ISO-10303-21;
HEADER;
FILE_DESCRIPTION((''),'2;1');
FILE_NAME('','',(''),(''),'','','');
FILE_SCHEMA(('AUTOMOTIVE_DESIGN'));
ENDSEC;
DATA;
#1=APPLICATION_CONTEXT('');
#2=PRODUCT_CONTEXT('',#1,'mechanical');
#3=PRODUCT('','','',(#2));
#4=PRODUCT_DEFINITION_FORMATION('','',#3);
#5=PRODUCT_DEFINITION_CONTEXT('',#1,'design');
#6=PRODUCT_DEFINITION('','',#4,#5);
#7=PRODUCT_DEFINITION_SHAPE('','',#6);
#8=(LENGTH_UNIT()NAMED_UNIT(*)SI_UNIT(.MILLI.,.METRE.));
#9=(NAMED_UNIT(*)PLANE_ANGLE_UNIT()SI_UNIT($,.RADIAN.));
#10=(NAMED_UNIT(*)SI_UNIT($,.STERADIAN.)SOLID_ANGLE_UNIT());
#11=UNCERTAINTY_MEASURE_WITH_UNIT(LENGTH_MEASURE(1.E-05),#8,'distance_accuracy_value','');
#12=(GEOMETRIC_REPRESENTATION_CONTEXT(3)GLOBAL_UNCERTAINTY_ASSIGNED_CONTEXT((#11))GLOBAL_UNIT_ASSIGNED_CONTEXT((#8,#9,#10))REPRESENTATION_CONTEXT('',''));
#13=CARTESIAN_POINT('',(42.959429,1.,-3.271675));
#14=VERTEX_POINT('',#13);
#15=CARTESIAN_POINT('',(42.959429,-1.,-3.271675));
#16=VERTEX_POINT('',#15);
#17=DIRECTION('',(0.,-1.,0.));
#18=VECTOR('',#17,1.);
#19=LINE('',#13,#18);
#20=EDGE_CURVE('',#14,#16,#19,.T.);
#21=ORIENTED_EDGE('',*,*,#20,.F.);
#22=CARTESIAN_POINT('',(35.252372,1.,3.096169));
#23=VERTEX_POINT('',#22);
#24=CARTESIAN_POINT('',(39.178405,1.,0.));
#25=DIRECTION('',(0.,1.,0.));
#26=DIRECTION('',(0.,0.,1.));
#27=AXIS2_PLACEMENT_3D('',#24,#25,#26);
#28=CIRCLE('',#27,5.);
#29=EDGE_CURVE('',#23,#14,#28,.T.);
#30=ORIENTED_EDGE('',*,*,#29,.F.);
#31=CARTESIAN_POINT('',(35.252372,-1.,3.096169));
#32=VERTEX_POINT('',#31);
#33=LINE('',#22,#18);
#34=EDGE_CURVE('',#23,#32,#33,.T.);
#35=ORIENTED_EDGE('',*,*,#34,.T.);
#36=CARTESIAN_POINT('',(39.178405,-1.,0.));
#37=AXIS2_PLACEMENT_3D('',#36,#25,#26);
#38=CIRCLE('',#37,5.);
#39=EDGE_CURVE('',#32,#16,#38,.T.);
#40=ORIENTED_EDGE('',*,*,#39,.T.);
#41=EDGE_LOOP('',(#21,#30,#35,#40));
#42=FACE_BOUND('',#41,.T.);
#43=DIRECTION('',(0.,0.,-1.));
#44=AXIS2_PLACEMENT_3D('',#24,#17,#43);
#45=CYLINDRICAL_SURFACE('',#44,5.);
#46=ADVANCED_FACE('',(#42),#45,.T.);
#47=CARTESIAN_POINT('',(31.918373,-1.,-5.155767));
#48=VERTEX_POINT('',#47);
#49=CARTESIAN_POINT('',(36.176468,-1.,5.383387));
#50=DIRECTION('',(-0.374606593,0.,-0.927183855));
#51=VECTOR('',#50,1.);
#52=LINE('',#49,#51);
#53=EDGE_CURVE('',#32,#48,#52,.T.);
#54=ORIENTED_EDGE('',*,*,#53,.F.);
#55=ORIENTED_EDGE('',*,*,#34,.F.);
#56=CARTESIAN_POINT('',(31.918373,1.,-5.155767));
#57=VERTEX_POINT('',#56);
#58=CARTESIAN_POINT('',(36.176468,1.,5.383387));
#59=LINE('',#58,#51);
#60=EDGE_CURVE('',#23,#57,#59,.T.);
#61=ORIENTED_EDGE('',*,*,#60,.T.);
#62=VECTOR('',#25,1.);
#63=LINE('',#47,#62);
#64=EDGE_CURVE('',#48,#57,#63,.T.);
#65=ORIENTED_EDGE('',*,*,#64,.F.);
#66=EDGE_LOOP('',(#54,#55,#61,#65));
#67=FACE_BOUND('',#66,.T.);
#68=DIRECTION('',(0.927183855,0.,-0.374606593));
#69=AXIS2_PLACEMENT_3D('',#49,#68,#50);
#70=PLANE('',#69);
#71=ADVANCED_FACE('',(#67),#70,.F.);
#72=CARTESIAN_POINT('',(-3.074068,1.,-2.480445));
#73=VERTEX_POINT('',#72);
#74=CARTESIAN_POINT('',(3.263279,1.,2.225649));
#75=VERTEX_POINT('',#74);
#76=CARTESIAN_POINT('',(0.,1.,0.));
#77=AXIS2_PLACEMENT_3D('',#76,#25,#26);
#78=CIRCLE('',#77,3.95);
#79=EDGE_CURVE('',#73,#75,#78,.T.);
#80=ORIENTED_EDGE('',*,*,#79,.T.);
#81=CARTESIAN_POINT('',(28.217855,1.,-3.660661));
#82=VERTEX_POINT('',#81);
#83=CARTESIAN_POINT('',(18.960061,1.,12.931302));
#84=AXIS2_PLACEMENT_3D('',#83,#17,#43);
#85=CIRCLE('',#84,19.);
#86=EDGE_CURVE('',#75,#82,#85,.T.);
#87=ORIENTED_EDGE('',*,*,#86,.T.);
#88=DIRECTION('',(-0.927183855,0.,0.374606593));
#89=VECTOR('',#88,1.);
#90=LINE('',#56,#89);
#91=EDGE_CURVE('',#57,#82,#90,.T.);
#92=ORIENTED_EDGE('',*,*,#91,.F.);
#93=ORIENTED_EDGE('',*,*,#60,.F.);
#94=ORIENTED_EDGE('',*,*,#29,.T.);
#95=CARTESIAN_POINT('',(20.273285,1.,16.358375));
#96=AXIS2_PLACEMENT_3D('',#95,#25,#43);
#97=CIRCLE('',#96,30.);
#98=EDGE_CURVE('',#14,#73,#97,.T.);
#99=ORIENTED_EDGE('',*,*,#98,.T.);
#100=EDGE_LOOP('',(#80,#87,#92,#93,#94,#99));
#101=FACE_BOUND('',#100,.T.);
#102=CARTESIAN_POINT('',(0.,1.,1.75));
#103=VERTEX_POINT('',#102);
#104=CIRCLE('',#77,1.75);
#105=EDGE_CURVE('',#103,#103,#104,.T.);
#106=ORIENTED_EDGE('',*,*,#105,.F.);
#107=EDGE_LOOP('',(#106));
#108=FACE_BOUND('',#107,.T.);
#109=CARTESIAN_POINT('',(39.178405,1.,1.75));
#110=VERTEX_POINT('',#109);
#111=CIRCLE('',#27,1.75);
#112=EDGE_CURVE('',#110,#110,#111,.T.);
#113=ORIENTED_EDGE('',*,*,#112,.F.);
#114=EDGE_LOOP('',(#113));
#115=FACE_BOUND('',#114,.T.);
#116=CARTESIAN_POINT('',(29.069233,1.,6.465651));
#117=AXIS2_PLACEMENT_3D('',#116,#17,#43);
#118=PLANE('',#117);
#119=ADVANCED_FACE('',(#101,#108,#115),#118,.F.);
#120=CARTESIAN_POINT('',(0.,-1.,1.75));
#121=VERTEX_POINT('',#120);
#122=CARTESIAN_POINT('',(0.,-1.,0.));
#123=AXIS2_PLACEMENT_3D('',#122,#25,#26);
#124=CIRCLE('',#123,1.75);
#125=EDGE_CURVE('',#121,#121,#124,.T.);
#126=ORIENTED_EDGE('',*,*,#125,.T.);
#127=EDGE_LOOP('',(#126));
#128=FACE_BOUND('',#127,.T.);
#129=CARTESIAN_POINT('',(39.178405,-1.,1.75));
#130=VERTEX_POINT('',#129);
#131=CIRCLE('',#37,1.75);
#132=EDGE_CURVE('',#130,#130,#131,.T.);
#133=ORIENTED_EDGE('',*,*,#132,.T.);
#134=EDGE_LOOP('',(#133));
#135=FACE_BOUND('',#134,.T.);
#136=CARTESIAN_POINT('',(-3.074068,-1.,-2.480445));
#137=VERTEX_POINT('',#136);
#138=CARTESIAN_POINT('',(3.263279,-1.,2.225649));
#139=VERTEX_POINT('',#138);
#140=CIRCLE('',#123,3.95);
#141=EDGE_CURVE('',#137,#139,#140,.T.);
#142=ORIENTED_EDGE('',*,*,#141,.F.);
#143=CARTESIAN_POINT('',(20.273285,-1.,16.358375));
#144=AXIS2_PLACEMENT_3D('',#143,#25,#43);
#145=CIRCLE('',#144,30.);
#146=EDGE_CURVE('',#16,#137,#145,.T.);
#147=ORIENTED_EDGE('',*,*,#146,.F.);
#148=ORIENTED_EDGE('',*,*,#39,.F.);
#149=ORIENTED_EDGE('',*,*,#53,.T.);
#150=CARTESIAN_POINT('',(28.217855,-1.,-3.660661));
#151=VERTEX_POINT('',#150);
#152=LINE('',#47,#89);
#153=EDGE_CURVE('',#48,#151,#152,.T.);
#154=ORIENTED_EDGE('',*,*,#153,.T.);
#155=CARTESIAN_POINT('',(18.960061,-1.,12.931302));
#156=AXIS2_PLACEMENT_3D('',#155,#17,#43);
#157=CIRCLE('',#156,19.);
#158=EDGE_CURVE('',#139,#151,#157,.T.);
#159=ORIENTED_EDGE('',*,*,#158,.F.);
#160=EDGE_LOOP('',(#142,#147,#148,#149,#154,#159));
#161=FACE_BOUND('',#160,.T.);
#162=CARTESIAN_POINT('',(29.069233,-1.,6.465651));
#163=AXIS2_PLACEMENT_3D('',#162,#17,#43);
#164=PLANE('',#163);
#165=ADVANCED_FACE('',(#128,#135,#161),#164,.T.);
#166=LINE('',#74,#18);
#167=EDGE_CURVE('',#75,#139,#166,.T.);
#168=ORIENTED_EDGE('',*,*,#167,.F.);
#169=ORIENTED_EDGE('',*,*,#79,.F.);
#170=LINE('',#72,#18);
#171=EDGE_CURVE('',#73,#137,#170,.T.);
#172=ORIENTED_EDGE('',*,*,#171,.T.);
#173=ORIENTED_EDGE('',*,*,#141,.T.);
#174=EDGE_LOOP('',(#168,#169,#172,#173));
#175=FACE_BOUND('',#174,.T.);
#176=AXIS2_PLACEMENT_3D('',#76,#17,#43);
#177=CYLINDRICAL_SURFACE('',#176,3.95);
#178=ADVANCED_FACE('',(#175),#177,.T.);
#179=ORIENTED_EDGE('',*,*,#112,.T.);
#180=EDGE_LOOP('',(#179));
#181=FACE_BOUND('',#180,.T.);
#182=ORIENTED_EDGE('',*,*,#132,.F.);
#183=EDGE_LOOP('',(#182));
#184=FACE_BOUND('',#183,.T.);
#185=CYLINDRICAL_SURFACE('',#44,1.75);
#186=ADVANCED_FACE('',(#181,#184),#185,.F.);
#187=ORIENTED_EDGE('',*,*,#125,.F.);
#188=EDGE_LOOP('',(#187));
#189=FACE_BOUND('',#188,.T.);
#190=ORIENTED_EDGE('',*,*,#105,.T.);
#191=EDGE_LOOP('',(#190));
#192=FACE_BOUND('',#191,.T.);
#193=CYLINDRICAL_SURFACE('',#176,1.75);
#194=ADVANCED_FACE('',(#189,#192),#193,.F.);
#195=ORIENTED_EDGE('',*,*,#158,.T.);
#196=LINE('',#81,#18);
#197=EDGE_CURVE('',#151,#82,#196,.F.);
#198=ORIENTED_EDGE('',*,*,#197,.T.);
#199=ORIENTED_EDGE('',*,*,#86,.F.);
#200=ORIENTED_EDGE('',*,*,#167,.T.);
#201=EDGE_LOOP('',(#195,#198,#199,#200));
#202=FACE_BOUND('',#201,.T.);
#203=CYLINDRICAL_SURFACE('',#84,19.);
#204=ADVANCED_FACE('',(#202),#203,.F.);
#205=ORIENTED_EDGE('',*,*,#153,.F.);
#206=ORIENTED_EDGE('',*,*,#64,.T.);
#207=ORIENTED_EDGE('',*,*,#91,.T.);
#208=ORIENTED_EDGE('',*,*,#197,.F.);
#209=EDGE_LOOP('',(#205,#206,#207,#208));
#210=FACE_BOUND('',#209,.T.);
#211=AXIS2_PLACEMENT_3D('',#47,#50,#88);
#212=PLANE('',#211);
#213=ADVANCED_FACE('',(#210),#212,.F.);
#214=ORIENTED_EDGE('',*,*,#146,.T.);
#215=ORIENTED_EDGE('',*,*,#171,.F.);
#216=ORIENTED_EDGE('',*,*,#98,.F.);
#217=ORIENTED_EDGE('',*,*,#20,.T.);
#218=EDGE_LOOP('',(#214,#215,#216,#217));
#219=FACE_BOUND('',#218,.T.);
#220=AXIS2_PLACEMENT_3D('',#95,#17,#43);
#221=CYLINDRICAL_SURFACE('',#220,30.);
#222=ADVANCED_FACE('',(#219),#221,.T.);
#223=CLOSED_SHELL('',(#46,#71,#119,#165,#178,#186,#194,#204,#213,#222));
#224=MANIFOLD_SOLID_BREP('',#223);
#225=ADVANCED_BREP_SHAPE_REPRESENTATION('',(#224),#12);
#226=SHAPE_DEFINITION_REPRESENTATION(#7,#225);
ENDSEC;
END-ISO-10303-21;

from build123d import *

# Parameters (mm, degrees)
SKETCH1_R               = 1.75
BOSS_EXTRUDE1_DEPTH     = 1
CUT_EXTRUDE1_DEPTH      = 47.247436748
CUT_EXTRUDE1_DEPTH_BACK = 47.247436748


with BuildPart() as part:
    # Sketch1 → Boss-Extrude1 (new, symmetric)
    with BuildSketch(Plane(origin=(0, 0, 0), x_dir=(1, 0, 0), z_dir=(0, 1, 0))):
        with BuildLine():
            ThreePointArc((-3.074068123, 2.480444551), (-2.35494781, -3.171233327), (3.263278519, -2.225648963))
            ThreePointArc((3.263278519, -2.225648963), (19.240732221, 6.066624624), (34.966250056, -2.694021293))
            ThreePointArc((34.966250056, -2.694021293), (42.169032262, -4.007012426), (42.959429057, 3.271674965))
            ThreePointArc((42.959429057, 3.271674965), (19.757716522, 13.637194671), (-3.074068123, 2.480444551))
        make_face()
        with Locations(Location((0, 0, 0), (0, 0, 270))):
            Circle(SKETCH1_R, mode=Mode.SUBTRACT)
        with Locations(Location((39.178405, 0, 0), (0, 0, 270))):
            Circle(SKETCH1_R, mode=Mode.SUBTRACT)
    extrude(amount=BOSS_EXTRUDE1_DEPTH, both=True)

    # Sketch2 → Cut-Extrude1 (cut, two sides: drawn at the far end of the back side and taken through both)
    with BuildSketch(Plane(origin=(0, 0, 0), x_dir=(1, 0, 0), z_dir=(0, 1, 0)).offset(-CUT_EXTRUDE1_DEPTH_BACK)):
        Polygon((36.17646787, -5.383387255), (31.918373047, 5.155767261), (14.230811062, -1.990471652), (18.488905885, -12.529626168), align=None)
    extrude(amount=CUT_EXTRUDE1_DEPTH + CUT_EXTRUDE1_DEPTH_BACK, mode=Mode.SUBTRACT)


solid = part.part
